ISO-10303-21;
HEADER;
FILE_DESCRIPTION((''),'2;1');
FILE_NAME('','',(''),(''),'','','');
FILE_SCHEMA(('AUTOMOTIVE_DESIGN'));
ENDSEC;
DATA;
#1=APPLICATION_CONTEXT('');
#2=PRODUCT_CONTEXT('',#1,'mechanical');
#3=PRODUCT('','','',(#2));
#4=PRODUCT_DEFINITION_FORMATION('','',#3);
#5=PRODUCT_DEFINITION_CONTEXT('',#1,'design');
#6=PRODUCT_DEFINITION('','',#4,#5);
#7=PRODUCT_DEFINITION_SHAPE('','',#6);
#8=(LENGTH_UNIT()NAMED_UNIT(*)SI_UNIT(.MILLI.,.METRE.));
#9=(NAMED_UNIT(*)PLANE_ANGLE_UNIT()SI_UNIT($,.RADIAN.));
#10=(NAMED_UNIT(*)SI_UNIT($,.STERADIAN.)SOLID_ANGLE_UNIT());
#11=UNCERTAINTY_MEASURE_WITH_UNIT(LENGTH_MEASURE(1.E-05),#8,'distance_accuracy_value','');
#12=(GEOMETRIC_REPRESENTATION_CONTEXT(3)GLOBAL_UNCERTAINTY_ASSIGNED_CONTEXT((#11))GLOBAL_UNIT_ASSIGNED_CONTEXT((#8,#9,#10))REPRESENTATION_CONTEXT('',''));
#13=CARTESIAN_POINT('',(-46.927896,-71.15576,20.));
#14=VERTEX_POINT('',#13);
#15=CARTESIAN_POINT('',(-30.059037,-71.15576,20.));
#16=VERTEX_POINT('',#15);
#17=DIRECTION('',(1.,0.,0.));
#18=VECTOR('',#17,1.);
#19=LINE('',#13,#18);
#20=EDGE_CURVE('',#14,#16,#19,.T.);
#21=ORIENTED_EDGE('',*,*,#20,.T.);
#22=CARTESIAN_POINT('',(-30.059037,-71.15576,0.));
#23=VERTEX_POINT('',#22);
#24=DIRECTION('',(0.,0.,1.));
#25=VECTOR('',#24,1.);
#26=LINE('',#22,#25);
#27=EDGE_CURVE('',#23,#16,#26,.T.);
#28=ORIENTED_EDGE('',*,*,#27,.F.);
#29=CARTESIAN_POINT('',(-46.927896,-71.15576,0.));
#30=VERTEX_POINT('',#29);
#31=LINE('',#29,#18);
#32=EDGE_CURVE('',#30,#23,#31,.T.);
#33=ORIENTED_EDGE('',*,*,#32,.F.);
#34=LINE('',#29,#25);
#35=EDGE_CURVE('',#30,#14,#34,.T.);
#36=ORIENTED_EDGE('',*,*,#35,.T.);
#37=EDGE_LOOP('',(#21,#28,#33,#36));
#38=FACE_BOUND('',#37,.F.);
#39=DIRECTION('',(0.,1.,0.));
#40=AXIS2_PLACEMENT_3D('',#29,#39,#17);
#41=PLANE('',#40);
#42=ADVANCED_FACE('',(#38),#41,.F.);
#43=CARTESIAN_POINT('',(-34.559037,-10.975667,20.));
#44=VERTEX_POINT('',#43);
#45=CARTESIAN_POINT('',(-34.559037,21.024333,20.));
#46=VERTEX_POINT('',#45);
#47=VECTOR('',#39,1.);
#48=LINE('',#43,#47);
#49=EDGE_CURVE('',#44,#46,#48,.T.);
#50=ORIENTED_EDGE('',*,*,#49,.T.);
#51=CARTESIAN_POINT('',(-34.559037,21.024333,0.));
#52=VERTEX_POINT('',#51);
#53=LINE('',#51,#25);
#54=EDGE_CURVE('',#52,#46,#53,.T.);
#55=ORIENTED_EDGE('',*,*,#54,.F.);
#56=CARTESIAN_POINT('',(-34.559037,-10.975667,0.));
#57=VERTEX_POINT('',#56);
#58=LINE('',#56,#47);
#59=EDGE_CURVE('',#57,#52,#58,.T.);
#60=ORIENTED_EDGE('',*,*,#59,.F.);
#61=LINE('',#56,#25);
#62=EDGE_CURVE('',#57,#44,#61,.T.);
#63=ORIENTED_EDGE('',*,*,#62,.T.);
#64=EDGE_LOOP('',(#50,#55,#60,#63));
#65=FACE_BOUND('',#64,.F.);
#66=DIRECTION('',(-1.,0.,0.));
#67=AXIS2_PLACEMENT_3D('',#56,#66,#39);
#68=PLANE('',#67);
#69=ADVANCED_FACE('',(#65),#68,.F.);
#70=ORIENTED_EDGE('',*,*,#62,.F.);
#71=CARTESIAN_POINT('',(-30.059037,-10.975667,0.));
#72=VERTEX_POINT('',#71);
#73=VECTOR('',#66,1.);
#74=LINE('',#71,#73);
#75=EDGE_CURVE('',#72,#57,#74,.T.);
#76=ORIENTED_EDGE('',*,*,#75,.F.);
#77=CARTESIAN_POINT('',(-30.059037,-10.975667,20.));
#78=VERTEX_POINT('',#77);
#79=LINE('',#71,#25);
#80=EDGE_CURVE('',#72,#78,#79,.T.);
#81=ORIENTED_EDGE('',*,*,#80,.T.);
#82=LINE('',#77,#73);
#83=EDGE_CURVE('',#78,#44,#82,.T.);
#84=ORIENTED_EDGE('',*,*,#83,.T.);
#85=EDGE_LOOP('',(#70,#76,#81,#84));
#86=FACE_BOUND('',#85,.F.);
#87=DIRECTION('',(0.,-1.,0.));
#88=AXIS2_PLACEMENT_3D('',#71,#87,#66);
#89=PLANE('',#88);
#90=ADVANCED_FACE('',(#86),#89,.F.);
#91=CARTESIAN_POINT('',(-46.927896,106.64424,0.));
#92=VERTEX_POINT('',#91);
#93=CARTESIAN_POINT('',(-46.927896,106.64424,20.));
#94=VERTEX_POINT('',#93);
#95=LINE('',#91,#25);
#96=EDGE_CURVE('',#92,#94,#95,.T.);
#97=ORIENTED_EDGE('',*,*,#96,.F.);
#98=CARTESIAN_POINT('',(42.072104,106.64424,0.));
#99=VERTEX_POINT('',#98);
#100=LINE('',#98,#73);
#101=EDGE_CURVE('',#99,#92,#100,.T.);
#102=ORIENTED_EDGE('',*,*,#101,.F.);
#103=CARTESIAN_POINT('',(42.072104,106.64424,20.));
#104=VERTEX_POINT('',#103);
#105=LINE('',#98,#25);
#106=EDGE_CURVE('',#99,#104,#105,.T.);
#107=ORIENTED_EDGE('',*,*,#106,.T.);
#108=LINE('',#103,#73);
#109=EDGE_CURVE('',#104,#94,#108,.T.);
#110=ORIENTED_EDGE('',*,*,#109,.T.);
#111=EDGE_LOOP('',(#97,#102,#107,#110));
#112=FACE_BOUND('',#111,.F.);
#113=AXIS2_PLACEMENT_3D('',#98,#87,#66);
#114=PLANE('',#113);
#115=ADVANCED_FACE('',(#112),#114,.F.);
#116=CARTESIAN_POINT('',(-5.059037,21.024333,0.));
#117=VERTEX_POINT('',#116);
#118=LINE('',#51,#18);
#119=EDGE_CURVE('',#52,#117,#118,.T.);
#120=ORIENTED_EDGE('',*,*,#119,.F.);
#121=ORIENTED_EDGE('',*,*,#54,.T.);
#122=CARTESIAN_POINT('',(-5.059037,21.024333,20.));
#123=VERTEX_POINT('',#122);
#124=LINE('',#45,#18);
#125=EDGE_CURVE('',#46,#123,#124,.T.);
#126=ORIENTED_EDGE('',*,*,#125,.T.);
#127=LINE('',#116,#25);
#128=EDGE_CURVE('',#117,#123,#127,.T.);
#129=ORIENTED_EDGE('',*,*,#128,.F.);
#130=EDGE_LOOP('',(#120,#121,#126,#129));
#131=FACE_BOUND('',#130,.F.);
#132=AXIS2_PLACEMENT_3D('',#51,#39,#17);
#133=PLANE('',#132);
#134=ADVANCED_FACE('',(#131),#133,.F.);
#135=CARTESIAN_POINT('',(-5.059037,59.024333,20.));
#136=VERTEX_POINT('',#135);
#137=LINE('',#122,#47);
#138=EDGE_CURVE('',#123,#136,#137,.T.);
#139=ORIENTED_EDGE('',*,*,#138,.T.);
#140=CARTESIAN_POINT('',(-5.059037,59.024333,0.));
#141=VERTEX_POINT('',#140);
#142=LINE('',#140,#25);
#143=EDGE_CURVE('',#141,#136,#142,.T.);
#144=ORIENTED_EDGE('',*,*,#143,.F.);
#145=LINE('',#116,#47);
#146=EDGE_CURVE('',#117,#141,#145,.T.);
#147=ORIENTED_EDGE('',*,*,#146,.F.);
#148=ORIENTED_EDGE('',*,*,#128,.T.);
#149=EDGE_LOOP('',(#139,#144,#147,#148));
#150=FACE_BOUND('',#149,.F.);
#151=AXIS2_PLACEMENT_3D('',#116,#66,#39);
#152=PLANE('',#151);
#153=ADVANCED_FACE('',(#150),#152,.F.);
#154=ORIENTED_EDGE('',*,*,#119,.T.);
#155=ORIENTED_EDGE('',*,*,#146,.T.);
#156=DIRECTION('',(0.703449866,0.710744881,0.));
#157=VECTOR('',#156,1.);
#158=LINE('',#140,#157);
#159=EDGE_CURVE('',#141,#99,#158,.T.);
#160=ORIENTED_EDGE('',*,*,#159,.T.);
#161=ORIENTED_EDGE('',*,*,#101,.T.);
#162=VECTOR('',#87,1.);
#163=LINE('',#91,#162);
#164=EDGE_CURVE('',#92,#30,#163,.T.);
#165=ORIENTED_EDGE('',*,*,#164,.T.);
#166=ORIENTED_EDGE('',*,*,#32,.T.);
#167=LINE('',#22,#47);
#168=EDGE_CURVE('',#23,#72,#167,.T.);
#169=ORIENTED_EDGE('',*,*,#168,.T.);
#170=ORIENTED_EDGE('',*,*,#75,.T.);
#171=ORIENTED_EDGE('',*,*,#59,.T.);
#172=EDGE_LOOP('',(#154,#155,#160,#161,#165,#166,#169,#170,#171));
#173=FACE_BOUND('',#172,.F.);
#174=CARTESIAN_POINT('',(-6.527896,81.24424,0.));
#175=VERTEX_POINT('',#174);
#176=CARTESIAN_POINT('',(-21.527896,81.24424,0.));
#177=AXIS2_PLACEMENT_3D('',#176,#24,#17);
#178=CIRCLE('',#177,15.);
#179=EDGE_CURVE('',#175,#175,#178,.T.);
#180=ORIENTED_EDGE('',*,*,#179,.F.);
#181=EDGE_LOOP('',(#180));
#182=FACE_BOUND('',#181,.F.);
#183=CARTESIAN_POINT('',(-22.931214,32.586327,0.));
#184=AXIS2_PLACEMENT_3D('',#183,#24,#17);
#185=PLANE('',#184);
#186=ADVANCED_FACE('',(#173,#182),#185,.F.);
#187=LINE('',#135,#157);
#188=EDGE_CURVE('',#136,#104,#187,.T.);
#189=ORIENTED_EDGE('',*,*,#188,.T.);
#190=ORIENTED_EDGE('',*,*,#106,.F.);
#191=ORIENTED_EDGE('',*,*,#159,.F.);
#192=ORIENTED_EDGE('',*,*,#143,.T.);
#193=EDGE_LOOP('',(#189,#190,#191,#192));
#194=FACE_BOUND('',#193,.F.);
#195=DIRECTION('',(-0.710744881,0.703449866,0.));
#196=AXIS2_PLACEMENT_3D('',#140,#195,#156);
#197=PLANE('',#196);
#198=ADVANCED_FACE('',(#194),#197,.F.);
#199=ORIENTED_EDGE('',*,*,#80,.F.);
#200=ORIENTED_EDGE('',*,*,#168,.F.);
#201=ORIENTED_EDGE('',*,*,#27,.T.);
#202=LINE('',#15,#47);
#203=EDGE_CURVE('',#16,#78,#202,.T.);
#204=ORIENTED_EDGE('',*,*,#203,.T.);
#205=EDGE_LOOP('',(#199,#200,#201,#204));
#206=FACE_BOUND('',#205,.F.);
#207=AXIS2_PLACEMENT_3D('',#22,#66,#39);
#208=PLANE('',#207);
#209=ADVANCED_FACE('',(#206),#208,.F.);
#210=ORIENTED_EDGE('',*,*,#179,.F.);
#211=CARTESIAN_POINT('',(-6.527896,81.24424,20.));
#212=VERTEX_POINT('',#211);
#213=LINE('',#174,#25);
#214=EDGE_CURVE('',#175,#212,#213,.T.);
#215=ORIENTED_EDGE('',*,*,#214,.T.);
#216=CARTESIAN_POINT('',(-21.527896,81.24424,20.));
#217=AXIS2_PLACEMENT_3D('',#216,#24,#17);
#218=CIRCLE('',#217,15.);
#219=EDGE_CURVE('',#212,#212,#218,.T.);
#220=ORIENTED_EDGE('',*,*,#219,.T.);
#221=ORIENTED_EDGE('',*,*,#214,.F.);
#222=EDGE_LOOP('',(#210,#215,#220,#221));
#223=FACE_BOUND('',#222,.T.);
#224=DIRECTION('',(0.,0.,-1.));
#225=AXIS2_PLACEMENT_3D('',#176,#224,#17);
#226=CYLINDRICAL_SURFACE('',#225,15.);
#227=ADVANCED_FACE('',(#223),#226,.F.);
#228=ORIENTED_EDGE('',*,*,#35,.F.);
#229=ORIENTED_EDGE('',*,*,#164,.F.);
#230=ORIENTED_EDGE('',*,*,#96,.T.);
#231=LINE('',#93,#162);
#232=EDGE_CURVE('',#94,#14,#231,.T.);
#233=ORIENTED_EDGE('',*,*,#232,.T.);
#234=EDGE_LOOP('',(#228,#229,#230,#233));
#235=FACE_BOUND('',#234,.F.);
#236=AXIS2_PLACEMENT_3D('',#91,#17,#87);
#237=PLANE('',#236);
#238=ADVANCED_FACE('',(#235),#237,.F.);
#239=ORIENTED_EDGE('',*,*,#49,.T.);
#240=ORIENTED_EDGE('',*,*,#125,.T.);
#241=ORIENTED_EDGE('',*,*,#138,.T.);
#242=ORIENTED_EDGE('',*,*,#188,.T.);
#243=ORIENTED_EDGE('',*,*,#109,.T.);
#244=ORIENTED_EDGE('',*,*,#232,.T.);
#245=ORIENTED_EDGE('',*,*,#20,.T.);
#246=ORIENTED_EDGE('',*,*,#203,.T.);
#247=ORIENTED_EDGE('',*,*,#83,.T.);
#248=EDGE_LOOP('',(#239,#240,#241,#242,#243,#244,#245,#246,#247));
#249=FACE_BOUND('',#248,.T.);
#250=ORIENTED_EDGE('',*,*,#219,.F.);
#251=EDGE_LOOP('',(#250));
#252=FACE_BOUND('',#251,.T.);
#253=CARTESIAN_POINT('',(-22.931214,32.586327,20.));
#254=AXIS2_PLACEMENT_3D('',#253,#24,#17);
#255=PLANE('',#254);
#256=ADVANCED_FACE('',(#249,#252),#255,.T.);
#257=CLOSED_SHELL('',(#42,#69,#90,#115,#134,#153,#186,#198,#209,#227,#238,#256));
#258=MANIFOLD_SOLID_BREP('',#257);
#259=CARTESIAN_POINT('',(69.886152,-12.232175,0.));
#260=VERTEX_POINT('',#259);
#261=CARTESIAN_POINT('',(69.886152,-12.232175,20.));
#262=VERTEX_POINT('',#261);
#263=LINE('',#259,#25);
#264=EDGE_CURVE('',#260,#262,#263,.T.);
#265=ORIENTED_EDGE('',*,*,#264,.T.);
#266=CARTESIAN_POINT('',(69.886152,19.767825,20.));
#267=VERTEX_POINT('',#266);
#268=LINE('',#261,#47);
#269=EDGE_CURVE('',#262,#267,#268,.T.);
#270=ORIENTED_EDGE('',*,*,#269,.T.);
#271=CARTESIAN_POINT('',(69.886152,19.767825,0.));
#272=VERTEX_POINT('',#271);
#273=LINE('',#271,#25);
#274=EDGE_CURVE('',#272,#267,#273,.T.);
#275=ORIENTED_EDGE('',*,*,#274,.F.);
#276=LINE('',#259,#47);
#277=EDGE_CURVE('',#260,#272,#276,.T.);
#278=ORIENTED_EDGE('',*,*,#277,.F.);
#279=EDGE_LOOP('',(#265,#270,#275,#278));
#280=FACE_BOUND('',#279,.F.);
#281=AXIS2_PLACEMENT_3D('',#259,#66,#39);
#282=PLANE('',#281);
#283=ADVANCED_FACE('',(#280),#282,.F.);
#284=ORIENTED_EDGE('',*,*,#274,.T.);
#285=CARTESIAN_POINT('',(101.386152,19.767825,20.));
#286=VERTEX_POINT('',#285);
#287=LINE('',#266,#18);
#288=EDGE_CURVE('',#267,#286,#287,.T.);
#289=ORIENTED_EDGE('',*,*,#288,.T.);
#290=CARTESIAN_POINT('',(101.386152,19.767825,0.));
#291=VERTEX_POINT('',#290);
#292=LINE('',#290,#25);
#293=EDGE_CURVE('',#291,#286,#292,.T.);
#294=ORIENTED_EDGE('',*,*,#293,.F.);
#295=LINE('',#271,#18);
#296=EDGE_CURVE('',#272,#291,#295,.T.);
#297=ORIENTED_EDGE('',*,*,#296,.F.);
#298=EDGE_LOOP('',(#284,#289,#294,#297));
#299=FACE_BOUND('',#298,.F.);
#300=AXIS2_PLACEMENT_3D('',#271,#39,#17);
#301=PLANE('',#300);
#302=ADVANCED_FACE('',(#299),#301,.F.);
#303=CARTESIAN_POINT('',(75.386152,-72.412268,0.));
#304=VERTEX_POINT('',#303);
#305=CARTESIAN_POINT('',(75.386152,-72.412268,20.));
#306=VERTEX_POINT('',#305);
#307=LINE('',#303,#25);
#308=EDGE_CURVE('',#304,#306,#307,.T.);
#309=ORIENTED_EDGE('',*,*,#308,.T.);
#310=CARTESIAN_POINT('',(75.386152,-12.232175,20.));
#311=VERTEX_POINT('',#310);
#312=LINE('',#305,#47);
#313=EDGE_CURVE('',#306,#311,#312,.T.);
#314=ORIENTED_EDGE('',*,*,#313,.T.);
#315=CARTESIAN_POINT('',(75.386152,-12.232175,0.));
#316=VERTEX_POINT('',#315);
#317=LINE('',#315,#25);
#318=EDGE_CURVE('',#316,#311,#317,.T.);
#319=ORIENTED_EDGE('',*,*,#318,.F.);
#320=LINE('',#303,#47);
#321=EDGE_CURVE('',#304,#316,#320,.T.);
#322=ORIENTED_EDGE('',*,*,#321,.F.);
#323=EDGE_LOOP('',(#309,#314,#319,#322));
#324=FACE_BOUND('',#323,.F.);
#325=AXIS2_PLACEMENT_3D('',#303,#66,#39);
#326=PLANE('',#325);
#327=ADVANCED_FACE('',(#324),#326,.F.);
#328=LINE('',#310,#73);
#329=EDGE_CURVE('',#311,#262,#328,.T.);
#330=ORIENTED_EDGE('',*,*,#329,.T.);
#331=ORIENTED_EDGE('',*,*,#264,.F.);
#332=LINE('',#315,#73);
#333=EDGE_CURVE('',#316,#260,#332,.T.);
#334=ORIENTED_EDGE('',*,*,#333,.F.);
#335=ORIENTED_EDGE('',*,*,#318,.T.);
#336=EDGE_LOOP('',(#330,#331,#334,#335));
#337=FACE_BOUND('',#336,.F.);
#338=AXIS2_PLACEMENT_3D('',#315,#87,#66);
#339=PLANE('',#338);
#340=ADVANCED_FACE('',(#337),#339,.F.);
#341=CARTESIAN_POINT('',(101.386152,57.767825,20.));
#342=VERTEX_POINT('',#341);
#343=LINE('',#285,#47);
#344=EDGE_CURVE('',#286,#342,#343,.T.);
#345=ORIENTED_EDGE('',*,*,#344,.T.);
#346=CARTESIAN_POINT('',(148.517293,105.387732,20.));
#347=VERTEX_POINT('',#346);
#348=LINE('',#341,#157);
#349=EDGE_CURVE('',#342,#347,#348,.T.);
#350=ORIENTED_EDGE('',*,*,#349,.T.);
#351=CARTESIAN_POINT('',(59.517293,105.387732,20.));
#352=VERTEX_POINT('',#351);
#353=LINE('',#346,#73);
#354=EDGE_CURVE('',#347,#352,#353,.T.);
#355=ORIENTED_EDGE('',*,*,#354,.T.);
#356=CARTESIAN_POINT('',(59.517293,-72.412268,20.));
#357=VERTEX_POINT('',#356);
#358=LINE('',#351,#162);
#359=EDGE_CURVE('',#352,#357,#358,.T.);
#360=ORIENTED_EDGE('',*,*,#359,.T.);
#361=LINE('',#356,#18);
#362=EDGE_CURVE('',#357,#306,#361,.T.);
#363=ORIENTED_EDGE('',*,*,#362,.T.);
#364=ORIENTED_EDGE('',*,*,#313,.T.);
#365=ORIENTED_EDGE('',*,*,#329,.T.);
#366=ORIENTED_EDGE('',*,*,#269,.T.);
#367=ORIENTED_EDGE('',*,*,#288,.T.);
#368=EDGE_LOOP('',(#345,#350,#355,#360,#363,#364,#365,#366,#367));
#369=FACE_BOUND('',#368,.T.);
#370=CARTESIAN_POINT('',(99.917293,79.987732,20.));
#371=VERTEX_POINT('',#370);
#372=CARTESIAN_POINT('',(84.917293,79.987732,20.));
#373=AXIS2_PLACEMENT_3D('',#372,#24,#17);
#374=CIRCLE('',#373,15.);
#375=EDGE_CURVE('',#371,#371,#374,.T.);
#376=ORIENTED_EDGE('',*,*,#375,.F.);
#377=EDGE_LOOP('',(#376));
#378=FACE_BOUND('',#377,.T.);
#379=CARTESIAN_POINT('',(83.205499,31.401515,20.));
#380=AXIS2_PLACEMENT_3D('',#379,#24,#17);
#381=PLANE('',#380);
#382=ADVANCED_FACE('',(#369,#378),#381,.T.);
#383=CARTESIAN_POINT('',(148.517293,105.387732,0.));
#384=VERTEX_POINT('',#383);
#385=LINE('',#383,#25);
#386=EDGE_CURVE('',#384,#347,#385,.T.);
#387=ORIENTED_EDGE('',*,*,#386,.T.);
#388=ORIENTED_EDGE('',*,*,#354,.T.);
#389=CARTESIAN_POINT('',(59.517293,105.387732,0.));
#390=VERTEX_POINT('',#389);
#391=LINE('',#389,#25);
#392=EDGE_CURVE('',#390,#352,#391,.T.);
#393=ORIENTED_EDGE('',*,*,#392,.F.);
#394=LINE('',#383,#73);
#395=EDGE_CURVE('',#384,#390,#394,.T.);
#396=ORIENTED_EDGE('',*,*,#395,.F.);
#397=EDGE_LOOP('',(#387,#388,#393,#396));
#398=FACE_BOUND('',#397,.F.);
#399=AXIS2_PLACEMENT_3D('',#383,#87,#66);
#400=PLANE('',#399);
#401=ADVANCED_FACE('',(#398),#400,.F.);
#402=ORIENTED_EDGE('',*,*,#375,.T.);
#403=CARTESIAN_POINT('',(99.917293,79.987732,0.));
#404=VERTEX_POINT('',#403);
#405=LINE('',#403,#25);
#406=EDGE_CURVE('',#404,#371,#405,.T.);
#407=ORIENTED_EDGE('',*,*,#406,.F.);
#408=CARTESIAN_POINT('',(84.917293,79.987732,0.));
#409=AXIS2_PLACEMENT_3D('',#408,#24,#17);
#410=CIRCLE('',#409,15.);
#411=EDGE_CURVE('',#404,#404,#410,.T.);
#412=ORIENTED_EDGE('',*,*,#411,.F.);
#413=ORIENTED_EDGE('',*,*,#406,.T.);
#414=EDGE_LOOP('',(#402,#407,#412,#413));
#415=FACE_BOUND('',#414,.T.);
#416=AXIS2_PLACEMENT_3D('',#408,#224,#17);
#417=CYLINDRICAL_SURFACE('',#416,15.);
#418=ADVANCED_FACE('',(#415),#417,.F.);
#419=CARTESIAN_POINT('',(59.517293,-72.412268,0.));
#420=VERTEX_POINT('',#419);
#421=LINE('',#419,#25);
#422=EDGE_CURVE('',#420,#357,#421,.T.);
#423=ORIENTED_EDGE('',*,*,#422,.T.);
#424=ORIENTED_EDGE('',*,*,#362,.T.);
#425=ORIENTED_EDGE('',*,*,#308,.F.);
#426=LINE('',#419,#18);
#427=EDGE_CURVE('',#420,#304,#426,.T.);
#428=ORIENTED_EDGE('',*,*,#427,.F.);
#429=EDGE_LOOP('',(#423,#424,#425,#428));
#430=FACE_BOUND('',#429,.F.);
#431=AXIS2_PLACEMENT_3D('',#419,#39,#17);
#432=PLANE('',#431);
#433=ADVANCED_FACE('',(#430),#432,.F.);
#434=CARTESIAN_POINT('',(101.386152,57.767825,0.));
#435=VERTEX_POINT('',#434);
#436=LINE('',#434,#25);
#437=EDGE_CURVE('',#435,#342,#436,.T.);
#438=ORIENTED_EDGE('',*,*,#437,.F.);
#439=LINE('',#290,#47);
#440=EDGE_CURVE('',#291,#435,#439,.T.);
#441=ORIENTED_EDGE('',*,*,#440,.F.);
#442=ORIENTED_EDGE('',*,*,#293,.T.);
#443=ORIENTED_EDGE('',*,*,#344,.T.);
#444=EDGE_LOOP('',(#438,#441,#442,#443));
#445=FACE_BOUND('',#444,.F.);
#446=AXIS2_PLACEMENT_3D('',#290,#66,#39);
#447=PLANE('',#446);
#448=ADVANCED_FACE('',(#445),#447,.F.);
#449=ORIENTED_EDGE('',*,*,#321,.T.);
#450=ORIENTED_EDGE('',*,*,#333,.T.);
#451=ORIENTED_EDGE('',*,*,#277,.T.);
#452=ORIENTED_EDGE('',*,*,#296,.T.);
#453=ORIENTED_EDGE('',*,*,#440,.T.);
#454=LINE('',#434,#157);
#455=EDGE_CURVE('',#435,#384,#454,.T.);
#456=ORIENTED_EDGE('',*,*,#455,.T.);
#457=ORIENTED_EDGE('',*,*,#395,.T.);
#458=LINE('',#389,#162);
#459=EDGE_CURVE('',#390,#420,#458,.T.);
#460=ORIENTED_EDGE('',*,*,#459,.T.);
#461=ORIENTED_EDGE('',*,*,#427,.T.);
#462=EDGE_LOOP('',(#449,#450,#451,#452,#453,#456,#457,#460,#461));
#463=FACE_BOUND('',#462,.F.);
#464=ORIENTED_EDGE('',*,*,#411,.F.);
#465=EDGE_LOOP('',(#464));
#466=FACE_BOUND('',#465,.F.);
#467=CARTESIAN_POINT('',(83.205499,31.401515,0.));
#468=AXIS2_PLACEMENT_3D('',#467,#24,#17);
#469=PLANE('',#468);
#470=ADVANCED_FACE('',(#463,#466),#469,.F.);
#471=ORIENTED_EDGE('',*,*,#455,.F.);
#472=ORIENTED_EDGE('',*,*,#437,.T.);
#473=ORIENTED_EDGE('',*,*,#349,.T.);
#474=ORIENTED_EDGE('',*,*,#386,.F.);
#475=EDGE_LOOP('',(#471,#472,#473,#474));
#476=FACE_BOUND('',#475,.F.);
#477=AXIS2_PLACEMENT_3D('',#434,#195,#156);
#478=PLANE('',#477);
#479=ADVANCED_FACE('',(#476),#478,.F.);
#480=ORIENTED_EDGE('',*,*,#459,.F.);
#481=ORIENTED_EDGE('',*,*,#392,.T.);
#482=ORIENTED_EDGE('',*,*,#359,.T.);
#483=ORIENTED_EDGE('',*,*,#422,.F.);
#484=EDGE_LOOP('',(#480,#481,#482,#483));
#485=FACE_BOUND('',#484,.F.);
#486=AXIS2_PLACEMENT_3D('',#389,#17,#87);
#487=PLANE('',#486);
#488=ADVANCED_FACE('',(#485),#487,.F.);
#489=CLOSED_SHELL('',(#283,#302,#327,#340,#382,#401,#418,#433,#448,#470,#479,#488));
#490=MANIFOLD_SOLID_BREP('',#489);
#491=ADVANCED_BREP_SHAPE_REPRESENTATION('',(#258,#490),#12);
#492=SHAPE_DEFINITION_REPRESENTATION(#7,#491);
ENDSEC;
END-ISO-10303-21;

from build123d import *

# Parameters (mm, degrees)
F0_R     = 15
F1_DEPTH = 20
F2_R     = 15
F3_DEPTH = 20


with BuildPart() as f1:
    # F0 (on Top) → F1 (new body)
    with BuildSketch(Plane.XY):
        Polygon((42.072104, 106.64424), (-46.927896, 106.64424), (-46.927896, -71.15576), (-30.059037, -71.15576), (-30.059037, -48.975667), (-30.059037, -10.975667), (-34.559037, -10.975667), (-34.559037, 21.024333), (-5.059037, 21.024333), (-5.059037, 59.024333), align=None)
        with Locations((-21.527896, 81.24424)):
            Circle(F0_R, mode=Mode.SUBTRACT)
    extrude(amount=F1_DEPTH)


with BuildPart() as f3:
    # F2 (on Top) → F3 (new body)
    with BuildSketch(Plane.XY):
        Polygon((148.517293, 105.387732), (59.517293, 105.387732), (59.517293, -72.412268), (75.386152, -72.412268), (75.386152, -50.232175), (75.386152, -12.232175), (69.886152, -12.232175), (69.886152, 19.767825), (101.386152, 19.767825), (101.386152, 57.767825), align=None)
        with Locations((84.917293, 79.987732)):
            Circle(F2_R, mode=Mode.SUBTRACT)
    extrude(amount=F3_DEPTH)


solid = Compound([f1.part, f3.part])
